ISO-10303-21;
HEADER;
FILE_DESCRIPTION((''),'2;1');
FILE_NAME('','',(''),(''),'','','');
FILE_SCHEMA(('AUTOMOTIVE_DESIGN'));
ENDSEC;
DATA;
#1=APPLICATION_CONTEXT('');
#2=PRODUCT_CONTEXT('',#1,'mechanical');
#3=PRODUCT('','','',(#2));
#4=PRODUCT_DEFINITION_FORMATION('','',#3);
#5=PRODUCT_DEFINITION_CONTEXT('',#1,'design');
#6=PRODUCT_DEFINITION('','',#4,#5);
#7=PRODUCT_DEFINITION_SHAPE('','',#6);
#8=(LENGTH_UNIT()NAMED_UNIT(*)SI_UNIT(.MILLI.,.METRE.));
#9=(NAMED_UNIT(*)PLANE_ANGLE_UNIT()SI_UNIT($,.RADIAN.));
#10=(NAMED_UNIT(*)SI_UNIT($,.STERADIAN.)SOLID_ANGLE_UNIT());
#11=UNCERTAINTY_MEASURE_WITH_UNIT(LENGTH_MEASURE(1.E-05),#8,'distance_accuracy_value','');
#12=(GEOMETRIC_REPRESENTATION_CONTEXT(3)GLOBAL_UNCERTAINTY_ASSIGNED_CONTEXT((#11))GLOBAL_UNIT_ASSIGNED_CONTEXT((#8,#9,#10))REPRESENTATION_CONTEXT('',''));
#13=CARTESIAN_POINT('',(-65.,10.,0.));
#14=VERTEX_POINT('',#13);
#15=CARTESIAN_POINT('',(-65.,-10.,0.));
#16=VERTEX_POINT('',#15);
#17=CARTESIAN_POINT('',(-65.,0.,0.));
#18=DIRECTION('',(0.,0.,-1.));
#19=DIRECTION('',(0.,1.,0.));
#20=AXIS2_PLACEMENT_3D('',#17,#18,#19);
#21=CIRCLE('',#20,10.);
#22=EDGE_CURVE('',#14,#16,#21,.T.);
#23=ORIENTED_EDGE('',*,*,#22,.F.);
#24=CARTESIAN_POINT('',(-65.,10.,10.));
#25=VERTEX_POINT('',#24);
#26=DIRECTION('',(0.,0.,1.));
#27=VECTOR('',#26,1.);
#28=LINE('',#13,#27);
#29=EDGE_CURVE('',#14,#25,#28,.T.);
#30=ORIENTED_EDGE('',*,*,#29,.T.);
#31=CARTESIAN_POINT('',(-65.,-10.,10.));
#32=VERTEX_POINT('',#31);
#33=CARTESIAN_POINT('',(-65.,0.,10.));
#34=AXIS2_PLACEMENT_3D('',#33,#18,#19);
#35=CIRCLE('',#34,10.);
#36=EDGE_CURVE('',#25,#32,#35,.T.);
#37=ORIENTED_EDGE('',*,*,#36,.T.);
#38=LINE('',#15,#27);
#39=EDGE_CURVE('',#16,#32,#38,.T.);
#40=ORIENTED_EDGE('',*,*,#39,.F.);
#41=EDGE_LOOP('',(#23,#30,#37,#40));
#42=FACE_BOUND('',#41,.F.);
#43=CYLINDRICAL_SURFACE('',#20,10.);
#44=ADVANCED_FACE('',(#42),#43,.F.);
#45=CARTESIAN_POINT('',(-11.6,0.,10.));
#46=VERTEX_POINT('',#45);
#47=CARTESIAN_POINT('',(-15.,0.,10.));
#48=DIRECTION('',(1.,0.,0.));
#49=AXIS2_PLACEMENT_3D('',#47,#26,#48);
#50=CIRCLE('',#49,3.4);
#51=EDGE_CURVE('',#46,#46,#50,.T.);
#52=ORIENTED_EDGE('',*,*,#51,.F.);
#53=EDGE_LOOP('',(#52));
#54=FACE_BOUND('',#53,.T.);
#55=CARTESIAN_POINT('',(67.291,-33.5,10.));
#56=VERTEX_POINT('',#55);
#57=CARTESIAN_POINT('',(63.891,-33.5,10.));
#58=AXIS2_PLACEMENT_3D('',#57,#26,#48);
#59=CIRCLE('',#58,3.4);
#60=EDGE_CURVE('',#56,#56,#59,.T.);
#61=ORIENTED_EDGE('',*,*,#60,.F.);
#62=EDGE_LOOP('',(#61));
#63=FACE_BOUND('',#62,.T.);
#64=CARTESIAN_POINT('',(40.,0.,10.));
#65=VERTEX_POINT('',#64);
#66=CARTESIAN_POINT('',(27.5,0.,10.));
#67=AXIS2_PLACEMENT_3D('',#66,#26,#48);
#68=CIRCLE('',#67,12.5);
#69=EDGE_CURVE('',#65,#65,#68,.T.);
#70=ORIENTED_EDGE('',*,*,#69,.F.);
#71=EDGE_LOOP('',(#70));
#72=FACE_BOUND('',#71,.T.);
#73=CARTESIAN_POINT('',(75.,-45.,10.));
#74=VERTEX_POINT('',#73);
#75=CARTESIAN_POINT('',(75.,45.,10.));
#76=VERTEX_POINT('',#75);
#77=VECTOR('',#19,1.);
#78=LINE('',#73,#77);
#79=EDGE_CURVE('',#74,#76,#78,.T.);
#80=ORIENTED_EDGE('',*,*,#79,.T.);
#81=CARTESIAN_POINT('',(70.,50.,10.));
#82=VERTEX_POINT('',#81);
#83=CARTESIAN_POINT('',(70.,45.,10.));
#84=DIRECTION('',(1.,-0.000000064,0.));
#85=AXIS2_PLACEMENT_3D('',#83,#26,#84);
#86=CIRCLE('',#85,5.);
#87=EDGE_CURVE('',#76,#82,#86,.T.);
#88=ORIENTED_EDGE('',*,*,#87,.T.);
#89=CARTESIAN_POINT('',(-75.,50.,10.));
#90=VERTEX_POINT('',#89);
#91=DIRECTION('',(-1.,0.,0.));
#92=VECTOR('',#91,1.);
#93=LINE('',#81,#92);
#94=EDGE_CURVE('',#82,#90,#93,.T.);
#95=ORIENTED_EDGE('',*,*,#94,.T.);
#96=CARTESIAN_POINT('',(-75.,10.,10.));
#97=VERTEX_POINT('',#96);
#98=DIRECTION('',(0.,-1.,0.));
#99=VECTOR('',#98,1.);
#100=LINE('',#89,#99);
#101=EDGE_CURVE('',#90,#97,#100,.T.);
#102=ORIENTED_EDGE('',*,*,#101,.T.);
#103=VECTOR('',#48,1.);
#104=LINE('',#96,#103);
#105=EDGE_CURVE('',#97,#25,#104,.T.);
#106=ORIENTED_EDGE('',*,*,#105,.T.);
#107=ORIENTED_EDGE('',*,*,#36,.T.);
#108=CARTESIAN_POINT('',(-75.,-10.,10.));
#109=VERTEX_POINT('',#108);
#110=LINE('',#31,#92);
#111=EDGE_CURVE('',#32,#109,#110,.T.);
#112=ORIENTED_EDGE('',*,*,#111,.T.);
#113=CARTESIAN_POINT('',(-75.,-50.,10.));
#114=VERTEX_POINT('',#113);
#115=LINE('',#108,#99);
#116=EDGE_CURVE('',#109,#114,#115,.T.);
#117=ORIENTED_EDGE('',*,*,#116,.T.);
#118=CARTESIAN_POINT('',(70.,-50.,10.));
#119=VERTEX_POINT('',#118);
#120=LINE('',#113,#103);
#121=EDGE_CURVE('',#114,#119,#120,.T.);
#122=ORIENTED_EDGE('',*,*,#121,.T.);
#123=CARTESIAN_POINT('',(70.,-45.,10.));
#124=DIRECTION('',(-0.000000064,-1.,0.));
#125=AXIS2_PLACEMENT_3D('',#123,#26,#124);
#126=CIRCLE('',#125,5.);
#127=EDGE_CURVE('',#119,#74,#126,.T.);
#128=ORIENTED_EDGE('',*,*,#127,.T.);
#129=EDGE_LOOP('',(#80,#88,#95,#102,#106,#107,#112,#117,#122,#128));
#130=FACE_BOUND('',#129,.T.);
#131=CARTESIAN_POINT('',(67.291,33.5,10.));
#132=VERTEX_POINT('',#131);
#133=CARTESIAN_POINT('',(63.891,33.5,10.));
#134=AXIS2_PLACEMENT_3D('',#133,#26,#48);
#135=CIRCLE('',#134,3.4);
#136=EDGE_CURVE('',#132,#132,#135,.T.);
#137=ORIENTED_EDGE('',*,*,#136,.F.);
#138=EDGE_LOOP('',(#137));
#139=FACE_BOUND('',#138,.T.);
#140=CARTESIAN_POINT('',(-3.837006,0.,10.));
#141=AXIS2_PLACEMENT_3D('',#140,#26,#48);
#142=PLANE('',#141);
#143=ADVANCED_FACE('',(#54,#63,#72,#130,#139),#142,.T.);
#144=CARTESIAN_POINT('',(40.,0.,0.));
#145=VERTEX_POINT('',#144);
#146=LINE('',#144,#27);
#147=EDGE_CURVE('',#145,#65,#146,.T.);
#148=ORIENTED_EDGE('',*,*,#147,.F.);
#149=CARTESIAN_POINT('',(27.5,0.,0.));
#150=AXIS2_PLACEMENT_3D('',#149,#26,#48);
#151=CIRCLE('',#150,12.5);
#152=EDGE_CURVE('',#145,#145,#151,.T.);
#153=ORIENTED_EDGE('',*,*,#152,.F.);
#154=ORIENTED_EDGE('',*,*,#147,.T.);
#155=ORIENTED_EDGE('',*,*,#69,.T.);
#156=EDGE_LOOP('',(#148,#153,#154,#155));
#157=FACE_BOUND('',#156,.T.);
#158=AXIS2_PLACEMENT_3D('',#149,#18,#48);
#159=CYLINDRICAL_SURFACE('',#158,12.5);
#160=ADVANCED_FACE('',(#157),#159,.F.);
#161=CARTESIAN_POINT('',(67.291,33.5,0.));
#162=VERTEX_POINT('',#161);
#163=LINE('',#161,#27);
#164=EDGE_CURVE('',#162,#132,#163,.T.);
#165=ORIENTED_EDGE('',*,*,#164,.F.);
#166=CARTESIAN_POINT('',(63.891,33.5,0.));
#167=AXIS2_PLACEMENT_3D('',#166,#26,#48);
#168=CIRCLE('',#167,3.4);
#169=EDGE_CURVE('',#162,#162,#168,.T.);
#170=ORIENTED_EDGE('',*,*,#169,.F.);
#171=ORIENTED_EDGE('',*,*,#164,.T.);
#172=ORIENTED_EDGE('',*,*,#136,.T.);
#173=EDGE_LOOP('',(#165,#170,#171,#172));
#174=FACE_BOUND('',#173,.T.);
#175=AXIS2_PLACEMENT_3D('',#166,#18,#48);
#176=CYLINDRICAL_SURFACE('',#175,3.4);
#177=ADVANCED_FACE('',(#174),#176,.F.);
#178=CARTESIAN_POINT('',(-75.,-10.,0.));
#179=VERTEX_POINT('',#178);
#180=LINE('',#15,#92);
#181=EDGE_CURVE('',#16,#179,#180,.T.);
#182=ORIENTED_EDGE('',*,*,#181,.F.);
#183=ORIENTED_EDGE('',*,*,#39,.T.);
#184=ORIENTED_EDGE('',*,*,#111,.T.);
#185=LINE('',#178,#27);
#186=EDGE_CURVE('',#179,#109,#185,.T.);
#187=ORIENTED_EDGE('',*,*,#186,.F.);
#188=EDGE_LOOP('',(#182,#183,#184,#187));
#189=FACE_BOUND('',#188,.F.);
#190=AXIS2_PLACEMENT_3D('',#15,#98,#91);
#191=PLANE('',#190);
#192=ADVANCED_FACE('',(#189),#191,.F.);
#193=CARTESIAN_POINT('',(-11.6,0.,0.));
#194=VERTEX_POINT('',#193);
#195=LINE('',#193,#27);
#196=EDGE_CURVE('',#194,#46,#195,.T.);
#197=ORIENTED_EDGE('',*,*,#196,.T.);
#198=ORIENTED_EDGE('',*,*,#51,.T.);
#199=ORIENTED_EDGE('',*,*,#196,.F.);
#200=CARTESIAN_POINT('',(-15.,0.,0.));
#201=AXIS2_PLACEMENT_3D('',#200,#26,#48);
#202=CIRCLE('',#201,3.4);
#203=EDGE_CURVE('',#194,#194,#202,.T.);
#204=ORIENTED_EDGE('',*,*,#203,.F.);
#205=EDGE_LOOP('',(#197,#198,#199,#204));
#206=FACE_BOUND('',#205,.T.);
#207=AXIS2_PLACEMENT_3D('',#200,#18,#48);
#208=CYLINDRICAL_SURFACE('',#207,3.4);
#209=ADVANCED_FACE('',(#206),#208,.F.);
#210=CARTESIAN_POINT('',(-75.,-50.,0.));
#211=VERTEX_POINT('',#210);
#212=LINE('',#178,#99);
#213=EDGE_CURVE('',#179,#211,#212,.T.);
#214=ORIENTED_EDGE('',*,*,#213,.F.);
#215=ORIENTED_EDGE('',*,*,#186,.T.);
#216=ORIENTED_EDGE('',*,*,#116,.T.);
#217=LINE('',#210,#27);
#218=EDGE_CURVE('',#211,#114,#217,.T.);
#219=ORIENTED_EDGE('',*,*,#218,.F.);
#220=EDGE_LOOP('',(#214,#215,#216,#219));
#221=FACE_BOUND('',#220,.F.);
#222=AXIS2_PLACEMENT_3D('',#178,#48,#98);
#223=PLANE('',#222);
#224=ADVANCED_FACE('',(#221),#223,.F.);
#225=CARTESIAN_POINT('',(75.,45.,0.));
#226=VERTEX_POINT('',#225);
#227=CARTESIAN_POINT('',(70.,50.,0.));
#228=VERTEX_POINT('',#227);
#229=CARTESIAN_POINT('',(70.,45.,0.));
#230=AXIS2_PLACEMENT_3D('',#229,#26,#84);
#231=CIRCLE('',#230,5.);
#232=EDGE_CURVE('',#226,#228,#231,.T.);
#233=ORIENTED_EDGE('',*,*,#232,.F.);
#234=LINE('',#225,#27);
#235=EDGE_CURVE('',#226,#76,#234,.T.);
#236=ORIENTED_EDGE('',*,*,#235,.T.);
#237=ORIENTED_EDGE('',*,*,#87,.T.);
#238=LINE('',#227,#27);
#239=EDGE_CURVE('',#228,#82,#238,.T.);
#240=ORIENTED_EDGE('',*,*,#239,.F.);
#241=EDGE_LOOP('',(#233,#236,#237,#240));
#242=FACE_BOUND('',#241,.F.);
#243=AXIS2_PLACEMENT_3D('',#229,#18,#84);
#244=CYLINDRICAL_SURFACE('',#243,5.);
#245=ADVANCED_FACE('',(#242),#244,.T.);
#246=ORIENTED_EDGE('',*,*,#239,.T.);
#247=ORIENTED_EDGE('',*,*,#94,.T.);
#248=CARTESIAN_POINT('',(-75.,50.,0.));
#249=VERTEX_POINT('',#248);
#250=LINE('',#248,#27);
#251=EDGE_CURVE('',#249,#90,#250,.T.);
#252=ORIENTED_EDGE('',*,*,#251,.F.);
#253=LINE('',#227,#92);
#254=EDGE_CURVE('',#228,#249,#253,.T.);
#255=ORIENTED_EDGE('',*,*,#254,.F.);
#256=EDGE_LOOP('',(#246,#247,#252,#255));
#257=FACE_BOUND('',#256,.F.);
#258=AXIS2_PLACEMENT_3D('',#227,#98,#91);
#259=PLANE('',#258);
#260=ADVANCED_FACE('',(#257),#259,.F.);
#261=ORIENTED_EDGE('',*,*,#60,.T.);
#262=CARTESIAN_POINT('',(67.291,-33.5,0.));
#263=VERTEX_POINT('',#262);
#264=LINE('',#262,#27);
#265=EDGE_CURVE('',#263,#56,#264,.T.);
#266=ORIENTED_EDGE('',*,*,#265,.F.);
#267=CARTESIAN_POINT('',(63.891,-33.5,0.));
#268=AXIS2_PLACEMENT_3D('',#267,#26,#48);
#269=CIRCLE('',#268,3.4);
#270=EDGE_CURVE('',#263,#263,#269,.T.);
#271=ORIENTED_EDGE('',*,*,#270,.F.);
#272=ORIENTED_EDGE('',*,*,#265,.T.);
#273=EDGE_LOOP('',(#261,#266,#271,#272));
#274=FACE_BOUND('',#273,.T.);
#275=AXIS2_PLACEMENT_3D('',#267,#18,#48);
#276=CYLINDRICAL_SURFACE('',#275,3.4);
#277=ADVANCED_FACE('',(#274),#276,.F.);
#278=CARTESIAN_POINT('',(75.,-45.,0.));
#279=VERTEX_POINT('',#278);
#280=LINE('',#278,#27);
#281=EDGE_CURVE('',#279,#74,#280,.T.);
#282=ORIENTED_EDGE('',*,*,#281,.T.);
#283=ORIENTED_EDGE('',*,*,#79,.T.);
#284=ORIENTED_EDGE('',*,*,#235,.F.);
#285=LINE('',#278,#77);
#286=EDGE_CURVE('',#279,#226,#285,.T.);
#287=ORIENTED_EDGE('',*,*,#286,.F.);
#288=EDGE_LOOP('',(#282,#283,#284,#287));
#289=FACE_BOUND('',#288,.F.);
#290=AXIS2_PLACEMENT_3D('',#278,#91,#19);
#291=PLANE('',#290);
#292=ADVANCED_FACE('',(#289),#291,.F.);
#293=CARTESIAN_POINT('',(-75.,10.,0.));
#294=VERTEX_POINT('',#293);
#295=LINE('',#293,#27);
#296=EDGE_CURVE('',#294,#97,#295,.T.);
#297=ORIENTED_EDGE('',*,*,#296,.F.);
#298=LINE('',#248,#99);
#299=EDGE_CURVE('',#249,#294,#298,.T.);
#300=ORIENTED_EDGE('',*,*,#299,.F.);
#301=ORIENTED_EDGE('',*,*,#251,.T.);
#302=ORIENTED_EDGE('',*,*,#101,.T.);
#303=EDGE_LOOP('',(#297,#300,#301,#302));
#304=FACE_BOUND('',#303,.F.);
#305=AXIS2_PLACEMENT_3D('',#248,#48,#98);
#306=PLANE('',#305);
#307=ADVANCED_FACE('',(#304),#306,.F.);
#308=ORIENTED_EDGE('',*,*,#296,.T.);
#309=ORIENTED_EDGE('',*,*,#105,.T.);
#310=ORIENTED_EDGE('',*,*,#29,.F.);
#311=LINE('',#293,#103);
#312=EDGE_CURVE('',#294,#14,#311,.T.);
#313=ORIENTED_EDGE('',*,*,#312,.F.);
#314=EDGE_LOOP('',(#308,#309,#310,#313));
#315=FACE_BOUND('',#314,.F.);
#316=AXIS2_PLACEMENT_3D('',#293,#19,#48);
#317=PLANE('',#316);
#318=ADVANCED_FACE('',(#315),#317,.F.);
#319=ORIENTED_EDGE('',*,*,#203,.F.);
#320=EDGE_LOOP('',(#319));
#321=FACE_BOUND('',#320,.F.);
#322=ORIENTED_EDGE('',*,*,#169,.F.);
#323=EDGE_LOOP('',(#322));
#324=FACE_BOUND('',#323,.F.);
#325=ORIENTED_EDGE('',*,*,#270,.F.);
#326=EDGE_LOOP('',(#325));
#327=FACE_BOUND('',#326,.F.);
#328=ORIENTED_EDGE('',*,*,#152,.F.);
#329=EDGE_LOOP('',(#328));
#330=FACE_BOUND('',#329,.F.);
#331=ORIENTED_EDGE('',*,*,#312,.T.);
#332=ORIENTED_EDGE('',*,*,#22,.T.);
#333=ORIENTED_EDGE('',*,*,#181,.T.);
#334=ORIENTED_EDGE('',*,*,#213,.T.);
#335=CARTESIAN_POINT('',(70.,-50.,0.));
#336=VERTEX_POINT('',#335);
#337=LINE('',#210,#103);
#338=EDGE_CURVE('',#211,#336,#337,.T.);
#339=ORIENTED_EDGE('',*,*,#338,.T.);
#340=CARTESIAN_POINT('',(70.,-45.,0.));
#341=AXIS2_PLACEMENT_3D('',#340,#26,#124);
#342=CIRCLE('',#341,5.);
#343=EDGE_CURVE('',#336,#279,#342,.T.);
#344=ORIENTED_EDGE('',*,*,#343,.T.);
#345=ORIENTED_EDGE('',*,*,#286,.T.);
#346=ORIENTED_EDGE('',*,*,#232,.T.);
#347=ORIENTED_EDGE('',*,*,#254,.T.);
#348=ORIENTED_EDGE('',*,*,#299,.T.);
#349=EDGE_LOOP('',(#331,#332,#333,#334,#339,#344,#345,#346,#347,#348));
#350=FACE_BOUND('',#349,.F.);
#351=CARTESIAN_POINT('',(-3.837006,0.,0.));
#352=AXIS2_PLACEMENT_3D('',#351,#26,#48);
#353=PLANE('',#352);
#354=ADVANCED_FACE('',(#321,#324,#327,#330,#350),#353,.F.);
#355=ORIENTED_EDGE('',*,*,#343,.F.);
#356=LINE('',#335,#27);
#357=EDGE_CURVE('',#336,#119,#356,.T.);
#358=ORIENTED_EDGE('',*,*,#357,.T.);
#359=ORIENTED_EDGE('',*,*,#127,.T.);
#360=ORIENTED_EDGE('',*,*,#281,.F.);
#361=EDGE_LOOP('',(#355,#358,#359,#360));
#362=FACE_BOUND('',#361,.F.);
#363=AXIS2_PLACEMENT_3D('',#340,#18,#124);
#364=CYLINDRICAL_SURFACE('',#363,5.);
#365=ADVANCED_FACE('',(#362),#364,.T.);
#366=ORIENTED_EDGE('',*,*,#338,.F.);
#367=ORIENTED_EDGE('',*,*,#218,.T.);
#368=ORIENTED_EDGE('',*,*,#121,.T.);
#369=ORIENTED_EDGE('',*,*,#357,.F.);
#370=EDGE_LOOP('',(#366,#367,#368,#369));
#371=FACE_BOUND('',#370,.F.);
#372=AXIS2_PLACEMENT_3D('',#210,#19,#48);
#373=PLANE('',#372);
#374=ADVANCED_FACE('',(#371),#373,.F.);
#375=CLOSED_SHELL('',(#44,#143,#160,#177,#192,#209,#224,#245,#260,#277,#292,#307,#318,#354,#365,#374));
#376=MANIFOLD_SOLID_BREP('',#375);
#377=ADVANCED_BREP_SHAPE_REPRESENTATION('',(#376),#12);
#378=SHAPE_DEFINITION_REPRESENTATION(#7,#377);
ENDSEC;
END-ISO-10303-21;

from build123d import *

# Parameters (mm, degrees)
F0_R     = 3.4
F0_R_2   = 12.5
F1_DEPTH = 10


with BuildPart() as f1:
    # F0 (on Top) → F1 (new body)
    with BuildSketch(Plane.XY):
        with BuildLine():
            ThreePointArc((75, 45), (73.535534, 48.535534), (70, 50))
            Line((70, 50), (-75, 50))
            Line((-75, 50), (-75, 10))
            Line((-75, 10), (-65, 10))
            ThreePointArc((-65, 10), (-55, 0), (-65, -10))
            Line((-65, -10), (-75, -10))
            Line((-75, -10), (-75, -50))
            Line((-75, -50), (70, -50))
            ThreePointArc((70, -50), (73.535534, -48.535534), (75, -45))
            Line((75, -45), (75, 45))
        make_face()
        with Locations((63.891, -33.5)):
            Circle(F0_R, mode=Mode.SUBTRACT)
        with Locations((-15, 0)):
            Circle(F0_R, mode=Mode.SUBTRACT)
        with Locations((27.5, 0)):
            Circle(F0_R_2, mode=Mode.SUBTRACT)
        with Locations((63.891, 33.5)):
            Circle(F0_R, mode=Mode.SUBTRACT)
    extrude(amount=F1_DEPTH)


solid = f1.part
